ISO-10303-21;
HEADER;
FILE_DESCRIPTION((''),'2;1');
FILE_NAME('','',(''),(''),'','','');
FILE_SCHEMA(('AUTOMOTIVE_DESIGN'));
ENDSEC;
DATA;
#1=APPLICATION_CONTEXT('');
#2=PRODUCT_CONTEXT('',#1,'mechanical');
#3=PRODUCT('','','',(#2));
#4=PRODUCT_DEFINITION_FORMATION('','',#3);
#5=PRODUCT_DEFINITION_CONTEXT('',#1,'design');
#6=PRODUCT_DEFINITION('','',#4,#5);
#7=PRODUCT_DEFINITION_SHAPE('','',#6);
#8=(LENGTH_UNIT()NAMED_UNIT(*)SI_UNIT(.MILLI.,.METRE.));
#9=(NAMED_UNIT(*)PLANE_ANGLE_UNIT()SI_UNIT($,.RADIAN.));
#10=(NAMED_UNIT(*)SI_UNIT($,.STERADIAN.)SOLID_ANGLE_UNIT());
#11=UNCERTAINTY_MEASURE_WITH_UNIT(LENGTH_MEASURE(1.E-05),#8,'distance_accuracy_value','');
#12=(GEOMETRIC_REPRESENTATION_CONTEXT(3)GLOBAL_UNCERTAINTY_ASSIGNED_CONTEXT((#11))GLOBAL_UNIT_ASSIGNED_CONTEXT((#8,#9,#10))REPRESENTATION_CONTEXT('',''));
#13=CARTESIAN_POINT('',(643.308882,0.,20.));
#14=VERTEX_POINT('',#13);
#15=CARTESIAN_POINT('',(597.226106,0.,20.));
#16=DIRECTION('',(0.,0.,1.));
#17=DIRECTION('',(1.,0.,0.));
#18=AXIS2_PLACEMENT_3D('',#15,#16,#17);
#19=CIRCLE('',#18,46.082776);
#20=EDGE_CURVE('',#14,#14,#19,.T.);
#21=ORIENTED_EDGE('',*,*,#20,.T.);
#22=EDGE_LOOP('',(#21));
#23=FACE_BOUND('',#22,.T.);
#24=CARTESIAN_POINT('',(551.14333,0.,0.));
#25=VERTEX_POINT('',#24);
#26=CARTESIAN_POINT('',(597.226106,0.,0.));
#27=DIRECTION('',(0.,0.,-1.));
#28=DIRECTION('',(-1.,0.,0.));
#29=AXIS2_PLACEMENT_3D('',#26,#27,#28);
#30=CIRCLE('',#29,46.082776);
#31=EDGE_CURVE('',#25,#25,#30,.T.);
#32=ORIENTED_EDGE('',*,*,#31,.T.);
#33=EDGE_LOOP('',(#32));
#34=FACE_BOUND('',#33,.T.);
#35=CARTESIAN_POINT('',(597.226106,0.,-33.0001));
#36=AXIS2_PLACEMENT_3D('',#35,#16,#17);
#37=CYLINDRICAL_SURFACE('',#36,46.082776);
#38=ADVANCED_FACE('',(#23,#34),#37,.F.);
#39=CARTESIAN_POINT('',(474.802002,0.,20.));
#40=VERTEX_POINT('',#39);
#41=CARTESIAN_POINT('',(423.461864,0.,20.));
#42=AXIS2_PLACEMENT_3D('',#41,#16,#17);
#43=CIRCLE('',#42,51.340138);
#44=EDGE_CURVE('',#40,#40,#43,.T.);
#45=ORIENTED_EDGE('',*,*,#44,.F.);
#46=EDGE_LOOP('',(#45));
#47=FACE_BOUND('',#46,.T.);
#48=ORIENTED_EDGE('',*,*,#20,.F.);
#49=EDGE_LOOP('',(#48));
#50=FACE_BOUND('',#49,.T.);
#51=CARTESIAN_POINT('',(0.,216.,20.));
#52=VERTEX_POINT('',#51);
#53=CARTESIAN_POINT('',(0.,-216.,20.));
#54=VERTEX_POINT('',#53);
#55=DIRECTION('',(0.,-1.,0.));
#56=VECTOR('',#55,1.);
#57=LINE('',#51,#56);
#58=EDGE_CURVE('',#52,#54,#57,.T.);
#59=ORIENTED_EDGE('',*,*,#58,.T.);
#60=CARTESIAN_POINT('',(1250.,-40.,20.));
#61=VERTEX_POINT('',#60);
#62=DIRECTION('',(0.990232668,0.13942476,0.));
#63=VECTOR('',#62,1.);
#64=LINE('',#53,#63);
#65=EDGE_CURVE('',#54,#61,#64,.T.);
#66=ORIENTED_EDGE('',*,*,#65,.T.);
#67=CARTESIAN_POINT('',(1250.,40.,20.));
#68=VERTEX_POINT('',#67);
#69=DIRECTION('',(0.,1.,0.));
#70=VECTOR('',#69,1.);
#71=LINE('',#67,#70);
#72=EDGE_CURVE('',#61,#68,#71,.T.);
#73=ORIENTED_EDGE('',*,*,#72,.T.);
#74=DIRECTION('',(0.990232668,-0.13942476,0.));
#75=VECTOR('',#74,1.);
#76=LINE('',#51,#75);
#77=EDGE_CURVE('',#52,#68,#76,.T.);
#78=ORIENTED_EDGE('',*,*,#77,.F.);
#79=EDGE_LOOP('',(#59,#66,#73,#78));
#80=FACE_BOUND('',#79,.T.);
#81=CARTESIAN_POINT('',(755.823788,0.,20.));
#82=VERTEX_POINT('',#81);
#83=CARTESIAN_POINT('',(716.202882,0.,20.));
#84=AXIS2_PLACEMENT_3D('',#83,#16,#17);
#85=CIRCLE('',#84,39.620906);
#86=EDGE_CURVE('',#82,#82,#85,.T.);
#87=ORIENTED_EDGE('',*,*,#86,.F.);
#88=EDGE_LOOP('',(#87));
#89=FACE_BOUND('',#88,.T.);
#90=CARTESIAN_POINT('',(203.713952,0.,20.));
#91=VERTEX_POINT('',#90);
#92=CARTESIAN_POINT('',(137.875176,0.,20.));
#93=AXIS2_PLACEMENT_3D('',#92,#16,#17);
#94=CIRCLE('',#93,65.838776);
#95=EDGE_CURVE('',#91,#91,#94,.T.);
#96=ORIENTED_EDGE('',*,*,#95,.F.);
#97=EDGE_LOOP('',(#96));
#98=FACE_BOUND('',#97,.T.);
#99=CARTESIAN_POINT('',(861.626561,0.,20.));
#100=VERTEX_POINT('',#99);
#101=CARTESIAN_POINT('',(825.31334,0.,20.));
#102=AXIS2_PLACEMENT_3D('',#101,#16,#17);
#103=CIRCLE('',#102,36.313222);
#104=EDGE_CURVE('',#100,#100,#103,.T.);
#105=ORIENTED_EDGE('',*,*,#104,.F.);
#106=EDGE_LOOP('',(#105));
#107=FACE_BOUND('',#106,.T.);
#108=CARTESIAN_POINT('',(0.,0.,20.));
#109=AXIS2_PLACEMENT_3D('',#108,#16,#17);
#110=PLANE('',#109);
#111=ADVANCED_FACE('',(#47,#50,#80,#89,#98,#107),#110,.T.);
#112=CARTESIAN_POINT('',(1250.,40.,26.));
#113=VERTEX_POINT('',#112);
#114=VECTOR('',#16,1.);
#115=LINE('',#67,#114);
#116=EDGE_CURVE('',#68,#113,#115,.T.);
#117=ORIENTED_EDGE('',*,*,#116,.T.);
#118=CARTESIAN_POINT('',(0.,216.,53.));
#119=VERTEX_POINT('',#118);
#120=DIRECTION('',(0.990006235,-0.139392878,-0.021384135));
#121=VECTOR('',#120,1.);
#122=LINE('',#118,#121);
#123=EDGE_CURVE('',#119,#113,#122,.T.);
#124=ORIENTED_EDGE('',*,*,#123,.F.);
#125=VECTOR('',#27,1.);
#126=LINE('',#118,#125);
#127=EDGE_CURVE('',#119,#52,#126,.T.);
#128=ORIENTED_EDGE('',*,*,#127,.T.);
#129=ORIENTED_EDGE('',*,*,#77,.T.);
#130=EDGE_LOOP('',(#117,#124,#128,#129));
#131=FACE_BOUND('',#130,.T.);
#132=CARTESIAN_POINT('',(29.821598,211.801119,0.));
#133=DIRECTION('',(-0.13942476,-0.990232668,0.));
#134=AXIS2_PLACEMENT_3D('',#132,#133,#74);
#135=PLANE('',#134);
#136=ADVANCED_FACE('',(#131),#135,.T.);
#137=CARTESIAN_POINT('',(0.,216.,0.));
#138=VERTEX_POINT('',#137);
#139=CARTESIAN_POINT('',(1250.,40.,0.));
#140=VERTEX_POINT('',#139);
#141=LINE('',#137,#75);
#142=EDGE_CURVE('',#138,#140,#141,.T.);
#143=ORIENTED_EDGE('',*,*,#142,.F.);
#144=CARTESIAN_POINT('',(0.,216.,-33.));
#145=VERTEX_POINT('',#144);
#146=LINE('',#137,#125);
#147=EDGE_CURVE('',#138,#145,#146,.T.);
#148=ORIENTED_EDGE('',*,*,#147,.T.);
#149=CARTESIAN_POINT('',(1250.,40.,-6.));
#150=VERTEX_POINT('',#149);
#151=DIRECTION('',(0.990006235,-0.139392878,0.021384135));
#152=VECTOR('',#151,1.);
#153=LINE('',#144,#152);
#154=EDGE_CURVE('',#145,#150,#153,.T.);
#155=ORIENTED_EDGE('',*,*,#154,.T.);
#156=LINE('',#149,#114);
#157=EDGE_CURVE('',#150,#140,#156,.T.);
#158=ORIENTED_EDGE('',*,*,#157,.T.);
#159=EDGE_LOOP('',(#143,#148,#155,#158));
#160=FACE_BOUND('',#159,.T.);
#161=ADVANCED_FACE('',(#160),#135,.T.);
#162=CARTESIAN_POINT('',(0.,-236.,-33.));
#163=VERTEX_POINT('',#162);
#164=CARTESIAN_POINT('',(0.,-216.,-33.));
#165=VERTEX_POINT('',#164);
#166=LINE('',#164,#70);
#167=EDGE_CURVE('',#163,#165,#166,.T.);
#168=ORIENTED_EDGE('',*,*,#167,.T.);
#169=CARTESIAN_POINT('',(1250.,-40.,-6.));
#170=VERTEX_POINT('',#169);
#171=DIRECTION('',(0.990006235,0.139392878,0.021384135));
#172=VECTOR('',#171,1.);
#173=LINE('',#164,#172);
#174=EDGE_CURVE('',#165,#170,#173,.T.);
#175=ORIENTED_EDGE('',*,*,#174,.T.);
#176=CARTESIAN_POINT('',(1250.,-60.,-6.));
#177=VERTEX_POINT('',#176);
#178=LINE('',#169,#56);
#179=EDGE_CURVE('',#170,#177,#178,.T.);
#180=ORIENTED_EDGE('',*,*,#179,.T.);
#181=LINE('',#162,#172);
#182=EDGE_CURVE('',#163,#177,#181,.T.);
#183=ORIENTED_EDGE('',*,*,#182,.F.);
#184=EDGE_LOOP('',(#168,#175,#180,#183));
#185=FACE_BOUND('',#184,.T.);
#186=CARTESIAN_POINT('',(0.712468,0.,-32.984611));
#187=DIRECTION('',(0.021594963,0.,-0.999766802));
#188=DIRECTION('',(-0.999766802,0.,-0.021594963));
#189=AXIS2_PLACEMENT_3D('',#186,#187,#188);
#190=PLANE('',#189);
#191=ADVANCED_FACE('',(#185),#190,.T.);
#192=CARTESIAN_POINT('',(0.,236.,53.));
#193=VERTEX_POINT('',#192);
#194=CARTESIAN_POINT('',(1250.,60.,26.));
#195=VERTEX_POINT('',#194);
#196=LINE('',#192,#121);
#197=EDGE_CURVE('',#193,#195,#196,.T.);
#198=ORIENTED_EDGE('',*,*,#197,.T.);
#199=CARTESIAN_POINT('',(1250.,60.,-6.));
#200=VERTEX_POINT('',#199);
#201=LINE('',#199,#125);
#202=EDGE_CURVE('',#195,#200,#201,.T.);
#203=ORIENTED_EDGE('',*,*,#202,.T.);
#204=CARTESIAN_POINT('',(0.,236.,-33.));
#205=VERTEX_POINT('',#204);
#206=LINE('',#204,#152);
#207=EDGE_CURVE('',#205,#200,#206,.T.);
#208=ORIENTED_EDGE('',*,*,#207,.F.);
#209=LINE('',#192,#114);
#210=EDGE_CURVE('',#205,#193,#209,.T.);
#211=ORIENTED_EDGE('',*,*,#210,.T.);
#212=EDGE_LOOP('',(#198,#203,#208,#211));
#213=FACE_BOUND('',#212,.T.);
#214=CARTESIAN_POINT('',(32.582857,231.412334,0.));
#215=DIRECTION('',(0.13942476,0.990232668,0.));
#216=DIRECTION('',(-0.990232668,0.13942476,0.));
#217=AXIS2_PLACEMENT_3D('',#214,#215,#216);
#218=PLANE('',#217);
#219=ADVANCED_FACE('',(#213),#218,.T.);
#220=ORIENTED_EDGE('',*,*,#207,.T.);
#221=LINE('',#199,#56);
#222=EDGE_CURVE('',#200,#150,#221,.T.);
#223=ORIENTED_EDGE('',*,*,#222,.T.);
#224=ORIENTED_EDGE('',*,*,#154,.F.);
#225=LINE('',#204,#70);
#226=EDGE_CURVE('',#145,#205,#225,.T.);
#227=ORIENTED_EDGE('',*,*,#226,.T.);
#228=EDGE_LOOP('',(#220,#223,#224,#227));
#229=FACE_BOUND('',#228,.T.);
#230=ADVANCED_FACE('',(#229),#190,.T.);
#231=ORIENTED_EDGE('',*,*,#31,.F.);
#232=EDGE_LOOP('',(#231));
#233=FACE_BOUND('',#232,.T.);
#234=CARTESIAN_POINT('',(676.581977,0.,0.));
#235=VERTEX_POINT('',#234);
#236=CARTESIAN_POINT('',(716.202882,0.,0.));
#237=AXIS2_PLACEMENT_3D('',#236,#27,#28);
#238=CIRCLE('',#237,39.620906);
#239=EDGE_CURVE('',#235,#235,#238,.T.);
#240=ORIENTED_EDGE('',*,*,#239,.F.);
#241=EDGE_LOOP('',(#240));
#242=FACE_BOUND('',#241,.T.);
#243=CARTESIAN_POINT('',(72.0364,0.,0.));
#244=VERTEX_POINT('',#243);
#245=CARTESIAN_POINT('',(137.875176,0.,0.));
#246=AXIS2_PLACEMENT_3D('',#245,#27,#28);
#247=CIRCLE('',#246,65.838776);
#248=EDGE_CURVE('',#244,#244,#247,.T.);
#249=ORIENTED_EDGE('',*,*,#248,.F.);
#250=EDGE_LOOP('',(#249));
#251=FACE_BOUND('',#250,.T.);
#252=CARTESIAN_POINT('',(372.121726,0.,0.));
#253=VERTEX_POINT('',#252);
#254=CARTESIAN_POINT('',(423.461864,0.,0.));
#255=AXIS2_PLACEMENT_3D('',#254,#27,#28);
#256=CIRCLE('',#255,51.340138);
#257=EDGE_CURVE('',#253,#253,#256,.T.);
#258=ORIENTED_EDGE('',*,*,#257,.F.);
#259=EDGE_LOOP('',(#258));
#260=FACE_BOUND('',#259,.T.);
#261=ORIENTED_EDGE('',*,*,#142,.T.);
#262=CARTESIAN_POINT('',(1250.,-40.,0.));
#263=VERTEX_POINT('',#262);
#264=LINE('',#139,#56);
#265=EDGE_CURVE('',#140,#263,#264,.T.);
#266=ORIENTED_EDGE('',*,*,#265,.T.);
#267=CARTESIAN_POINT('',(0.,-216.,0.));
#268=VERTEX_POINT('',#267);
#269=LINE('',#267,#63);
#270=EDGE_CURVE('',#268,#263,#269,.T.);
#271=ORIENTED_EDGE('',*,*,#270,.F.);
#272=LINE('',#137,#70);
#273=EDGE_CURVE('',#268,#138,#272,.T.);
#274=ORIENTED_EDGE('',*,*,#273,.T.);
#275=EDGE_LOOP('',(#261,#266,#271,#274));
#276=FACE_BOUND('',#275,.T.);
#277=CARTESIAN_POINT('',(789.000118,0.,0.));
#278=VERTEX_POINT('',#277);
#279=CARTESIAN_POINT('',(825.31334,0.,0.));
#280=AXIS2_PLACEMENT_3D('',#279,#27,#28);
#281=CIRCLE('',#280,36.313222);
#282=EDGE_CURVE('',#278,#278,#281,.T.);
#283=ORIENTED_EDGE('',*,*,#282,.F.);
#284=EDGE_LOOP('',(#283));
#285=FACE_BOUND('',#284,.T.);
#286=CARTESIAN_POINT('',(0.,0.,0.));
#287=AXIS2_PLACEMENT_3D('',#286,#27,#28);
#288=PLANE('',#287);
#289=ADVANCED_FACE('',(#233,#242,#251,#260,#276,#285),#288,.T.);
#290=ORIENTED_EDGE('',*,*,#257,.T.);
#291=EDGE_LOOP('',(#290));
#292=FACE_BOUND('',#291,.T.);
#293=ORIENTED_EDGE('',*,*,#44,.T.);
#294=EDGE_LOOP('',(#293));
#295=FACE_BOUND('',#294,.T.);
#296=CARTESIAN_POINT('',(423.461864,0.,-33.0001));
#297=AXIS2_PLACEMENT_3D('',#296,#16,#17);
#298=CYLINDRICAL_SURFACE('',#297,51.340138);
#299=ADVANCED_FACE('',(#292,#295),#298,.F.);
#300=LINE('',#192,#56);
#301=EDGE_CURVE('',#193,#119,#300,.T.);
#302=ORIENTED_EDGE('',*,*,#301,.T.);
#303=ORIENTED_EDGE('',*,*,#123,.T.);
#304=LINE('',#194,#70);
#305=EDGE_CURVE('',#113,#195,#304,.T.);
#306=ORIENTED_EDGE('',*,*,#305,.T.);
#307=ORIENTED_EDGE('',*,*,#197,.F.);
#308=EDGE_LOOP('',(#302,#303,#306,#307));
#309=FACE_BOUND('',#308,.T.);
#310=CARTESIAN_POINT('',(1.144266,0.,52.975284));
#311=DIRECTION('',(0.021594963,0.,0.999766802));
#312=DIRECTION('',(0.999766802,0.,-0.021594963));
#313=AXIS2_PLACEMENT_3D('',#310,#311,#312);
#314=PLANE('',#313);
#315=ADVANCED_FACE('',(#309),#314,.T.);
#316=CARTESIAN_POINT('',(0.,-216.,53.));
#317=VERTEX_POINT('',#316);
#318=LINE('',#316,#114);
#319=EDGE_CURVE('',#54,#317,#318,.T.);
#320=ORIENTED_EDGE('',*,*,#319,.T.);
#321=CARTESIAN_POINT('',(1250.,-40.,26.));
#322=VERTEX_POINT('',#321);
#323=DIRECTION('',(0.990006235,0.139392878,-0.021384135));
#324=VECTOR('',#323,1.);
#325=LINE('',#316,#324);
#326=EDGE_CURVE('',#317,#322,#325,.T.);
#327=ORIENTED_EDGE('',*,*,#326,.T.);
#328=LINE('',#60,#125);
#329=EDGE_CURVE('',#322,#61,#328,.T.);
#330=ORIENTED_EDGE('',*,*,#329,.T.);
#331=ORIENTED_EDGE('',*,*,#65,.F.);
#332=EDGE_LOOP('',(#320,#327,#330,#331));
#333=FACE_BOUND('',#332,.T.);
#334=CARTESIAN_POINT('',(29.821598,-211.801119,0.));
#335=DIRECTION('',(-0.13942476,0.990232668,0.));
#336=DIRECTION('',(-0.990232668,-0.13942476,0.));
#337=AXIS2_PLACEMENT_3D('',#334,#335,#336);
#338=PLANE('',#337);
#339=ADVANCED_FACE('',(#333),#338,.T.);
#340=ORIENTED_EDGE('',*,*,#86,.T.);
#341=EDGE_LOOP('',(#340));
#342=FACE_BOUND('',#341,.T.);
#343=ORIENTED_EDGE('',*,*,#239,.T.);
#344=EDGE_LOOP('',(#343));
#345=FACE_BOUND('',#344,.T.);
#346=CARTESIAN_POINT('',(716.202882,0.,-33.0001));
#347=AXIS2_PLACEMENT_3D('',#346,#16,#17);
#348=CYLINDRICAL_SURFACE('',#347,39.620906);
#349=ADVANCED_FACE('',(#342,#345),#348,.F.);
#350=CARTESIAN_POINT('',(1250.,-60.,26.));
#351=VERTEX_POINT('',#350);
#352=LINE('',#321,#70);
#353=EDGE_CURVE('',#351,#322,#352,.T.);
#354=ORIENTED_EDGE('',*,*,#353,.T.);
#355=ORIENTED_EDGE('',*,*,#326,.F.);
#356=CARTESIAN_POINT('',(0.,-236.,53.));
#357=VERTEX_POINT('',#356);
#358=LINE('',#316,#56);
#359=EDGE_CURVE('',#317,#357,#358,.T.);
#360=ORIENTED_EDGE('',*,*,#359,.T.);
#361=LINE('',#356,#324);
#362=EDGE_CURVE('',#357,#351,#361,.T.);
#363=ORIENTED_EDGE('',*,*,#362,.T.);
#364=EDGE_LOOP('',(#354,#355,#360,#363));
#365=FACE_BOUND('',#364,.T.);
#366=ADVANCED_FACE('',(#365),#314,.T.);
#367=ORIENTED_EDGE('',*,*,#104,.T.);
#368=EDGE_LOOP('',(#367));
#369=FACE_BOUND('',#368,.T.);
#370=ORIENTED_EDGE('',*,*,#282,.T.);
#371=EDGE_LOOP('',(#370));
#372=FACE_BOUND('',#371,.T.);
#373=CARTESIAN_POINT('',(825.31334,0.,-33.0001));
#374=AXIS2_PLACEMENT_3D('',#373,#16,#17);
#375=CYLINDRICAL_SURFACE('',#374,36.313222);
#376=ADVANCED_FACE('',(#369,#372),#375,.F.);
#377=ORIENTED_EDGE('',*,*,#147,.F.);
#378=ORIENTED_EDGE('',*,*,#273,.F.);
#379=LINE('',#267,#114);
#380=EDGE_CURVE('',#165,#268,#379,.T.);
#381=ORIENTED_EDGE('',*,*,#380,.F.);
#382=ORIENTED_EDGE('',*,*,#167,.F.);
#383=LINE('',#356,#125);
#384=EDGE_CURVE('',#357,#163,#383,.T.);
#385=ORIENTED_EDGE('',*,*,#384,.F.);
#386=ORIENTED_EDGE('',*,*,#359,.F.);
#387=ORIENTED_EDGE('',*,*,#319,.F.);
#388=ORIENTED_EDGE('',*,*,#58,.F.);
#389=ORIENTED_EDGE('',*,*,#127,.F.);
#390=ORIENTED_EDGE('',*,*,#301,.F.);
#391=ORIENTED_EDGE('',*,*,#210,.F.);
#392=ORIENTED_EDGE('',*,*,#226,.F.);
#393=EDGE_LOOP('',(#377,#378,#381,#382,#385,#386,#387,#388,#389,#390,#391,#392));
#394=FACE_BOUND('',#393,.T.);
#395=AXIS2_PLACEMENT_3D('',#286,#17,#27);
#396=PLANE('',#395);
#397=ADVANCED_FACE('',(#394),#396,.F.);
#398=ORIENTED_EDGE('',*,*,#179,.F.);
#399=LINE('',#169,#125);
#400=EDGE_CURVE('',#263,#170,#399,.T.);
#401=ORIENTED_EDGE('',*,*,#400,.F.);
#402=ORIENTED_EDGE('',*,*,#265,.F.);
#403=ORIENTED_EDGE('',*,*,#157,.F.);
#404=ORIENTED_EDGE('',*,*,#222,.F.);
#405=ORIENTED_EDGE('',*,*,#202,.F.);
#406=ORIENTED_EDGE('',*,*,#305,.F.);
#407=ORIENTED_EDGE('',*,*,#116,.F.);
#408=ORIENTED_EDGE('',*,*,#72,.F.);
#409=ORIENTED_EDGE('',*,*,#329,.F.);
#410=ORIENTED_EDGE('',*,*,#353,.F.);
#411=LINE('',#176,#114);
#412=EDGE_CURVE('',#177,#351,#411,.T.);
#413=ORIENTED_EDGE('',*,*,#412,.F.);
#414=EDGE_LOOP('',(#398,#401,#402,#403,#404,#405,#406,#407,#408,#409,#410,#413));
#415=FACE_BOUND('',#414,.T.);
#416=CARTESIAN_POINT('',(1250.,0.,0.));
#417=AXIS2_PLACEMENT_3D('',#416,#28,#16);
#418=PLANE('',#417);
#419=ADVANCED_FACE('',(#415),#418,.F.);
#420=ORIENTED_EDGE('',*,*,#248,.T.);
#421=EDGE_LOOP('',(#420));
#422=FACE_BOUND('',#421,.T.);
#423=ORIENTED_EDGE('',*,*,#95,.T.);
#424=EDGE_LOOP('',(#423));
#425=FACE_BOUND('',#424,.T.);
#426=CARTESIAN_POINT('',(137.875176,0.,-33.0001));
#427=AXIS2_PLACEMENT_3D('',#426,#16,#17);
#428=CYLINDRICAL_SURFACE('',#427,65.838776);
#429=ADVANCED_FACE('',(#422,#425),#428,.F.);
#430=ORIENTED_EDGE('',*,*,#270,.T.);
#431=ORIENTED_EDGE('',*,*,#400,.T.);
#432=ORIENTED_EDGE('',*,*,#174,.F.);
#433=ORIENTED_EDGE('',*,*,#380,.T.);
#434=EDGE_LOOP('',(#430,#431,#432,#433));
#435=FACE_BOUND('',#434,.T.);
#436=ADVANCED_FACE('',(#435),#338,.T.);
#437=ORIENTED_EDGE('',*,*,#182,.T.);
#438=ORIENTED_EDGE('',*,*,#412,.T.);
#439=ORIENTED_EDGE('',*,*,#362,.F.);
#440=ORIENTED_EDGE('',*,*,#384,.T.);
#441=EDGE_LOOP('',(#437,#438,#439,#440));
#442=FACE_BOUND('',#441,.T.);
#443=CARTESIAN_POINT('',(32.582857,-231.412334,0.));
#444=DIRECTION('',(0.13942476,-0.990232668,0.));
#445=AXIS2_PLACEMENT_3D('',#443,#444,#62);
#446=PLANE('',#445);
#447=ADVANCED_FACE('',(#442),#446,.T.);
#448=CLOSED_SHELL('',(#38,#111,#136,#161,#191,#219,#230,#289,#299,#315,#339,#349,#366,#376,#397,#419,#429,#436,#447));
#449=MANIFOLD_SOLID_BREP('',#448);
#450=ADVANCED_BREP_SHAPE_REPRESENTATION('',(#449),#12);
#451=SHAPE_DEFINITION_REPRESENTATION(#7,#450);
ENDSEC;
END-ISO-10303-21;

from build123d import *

# Parameters (mm, degrees)
SKETCH5_R          = 65.838775907
SKETCH5_R_2        = 51.340137945
SKETCH5_R_3        = 46.082776278
SKETCH5_R_4        = 36.313221665
SKETCH5_R_5        = 39.620905692
CUT_EXTRUDE1_DEPTH = 54.0000001


with BuildPart() as part:
    # Sketch1 → Loft l4 section 0
    with BuildSketch(Plane(origin=(0, 0, 0), x_dir=(0, 0, -1), z_dir=(1, 0, 0))):
        Polygon((-53, 236), (33, 236), (33, 216), (0, 216), (0, -216), (33, -216), (33, -236), (-53, -236), (-53, -216), (-20, -216), (-20, 216), (-53, 216), align=None)
    # Sketch4 → Loft l4 section 1
    with BuildSketch(Plane(origin=(1250, 0, -1000), x_dir=(0, 0, 1), z_dir=(-1, 0, 0))):
        Polygon((994, 60), (1026, 60), (1026, 40), (1020, 40), (1020, -40), (1026, -40), (1026, -60), (994, -60), (994, -40), (1000, -40), (1000, 40), (994, 40), align=None)
    loft()

    # Sketch5 → Cut-Extrude1 (cut, through all)
    with BuildSketch(Plane.XY.offset(20)):
        with Locations((137.875176339, 0)):
            Circle(SKETCH5_R)
        with Locations((423.461863642, 0)):
            Circle(SKETCH5_R_2)
        with Locations((597.226106195, 0)):
            Circle(SKETCH5_R_3)
        with Locations((825.313339697, 0)):
            Circle(SKETCH5_R_4)
        with Locations((716.202882206, 0)):
            Circle(SKETCH5_R_5)
    extrude(amount=-CUT_EXTRUDE1_DEPTH, mode=Mode.SUBTRACT)


solid = part.part
